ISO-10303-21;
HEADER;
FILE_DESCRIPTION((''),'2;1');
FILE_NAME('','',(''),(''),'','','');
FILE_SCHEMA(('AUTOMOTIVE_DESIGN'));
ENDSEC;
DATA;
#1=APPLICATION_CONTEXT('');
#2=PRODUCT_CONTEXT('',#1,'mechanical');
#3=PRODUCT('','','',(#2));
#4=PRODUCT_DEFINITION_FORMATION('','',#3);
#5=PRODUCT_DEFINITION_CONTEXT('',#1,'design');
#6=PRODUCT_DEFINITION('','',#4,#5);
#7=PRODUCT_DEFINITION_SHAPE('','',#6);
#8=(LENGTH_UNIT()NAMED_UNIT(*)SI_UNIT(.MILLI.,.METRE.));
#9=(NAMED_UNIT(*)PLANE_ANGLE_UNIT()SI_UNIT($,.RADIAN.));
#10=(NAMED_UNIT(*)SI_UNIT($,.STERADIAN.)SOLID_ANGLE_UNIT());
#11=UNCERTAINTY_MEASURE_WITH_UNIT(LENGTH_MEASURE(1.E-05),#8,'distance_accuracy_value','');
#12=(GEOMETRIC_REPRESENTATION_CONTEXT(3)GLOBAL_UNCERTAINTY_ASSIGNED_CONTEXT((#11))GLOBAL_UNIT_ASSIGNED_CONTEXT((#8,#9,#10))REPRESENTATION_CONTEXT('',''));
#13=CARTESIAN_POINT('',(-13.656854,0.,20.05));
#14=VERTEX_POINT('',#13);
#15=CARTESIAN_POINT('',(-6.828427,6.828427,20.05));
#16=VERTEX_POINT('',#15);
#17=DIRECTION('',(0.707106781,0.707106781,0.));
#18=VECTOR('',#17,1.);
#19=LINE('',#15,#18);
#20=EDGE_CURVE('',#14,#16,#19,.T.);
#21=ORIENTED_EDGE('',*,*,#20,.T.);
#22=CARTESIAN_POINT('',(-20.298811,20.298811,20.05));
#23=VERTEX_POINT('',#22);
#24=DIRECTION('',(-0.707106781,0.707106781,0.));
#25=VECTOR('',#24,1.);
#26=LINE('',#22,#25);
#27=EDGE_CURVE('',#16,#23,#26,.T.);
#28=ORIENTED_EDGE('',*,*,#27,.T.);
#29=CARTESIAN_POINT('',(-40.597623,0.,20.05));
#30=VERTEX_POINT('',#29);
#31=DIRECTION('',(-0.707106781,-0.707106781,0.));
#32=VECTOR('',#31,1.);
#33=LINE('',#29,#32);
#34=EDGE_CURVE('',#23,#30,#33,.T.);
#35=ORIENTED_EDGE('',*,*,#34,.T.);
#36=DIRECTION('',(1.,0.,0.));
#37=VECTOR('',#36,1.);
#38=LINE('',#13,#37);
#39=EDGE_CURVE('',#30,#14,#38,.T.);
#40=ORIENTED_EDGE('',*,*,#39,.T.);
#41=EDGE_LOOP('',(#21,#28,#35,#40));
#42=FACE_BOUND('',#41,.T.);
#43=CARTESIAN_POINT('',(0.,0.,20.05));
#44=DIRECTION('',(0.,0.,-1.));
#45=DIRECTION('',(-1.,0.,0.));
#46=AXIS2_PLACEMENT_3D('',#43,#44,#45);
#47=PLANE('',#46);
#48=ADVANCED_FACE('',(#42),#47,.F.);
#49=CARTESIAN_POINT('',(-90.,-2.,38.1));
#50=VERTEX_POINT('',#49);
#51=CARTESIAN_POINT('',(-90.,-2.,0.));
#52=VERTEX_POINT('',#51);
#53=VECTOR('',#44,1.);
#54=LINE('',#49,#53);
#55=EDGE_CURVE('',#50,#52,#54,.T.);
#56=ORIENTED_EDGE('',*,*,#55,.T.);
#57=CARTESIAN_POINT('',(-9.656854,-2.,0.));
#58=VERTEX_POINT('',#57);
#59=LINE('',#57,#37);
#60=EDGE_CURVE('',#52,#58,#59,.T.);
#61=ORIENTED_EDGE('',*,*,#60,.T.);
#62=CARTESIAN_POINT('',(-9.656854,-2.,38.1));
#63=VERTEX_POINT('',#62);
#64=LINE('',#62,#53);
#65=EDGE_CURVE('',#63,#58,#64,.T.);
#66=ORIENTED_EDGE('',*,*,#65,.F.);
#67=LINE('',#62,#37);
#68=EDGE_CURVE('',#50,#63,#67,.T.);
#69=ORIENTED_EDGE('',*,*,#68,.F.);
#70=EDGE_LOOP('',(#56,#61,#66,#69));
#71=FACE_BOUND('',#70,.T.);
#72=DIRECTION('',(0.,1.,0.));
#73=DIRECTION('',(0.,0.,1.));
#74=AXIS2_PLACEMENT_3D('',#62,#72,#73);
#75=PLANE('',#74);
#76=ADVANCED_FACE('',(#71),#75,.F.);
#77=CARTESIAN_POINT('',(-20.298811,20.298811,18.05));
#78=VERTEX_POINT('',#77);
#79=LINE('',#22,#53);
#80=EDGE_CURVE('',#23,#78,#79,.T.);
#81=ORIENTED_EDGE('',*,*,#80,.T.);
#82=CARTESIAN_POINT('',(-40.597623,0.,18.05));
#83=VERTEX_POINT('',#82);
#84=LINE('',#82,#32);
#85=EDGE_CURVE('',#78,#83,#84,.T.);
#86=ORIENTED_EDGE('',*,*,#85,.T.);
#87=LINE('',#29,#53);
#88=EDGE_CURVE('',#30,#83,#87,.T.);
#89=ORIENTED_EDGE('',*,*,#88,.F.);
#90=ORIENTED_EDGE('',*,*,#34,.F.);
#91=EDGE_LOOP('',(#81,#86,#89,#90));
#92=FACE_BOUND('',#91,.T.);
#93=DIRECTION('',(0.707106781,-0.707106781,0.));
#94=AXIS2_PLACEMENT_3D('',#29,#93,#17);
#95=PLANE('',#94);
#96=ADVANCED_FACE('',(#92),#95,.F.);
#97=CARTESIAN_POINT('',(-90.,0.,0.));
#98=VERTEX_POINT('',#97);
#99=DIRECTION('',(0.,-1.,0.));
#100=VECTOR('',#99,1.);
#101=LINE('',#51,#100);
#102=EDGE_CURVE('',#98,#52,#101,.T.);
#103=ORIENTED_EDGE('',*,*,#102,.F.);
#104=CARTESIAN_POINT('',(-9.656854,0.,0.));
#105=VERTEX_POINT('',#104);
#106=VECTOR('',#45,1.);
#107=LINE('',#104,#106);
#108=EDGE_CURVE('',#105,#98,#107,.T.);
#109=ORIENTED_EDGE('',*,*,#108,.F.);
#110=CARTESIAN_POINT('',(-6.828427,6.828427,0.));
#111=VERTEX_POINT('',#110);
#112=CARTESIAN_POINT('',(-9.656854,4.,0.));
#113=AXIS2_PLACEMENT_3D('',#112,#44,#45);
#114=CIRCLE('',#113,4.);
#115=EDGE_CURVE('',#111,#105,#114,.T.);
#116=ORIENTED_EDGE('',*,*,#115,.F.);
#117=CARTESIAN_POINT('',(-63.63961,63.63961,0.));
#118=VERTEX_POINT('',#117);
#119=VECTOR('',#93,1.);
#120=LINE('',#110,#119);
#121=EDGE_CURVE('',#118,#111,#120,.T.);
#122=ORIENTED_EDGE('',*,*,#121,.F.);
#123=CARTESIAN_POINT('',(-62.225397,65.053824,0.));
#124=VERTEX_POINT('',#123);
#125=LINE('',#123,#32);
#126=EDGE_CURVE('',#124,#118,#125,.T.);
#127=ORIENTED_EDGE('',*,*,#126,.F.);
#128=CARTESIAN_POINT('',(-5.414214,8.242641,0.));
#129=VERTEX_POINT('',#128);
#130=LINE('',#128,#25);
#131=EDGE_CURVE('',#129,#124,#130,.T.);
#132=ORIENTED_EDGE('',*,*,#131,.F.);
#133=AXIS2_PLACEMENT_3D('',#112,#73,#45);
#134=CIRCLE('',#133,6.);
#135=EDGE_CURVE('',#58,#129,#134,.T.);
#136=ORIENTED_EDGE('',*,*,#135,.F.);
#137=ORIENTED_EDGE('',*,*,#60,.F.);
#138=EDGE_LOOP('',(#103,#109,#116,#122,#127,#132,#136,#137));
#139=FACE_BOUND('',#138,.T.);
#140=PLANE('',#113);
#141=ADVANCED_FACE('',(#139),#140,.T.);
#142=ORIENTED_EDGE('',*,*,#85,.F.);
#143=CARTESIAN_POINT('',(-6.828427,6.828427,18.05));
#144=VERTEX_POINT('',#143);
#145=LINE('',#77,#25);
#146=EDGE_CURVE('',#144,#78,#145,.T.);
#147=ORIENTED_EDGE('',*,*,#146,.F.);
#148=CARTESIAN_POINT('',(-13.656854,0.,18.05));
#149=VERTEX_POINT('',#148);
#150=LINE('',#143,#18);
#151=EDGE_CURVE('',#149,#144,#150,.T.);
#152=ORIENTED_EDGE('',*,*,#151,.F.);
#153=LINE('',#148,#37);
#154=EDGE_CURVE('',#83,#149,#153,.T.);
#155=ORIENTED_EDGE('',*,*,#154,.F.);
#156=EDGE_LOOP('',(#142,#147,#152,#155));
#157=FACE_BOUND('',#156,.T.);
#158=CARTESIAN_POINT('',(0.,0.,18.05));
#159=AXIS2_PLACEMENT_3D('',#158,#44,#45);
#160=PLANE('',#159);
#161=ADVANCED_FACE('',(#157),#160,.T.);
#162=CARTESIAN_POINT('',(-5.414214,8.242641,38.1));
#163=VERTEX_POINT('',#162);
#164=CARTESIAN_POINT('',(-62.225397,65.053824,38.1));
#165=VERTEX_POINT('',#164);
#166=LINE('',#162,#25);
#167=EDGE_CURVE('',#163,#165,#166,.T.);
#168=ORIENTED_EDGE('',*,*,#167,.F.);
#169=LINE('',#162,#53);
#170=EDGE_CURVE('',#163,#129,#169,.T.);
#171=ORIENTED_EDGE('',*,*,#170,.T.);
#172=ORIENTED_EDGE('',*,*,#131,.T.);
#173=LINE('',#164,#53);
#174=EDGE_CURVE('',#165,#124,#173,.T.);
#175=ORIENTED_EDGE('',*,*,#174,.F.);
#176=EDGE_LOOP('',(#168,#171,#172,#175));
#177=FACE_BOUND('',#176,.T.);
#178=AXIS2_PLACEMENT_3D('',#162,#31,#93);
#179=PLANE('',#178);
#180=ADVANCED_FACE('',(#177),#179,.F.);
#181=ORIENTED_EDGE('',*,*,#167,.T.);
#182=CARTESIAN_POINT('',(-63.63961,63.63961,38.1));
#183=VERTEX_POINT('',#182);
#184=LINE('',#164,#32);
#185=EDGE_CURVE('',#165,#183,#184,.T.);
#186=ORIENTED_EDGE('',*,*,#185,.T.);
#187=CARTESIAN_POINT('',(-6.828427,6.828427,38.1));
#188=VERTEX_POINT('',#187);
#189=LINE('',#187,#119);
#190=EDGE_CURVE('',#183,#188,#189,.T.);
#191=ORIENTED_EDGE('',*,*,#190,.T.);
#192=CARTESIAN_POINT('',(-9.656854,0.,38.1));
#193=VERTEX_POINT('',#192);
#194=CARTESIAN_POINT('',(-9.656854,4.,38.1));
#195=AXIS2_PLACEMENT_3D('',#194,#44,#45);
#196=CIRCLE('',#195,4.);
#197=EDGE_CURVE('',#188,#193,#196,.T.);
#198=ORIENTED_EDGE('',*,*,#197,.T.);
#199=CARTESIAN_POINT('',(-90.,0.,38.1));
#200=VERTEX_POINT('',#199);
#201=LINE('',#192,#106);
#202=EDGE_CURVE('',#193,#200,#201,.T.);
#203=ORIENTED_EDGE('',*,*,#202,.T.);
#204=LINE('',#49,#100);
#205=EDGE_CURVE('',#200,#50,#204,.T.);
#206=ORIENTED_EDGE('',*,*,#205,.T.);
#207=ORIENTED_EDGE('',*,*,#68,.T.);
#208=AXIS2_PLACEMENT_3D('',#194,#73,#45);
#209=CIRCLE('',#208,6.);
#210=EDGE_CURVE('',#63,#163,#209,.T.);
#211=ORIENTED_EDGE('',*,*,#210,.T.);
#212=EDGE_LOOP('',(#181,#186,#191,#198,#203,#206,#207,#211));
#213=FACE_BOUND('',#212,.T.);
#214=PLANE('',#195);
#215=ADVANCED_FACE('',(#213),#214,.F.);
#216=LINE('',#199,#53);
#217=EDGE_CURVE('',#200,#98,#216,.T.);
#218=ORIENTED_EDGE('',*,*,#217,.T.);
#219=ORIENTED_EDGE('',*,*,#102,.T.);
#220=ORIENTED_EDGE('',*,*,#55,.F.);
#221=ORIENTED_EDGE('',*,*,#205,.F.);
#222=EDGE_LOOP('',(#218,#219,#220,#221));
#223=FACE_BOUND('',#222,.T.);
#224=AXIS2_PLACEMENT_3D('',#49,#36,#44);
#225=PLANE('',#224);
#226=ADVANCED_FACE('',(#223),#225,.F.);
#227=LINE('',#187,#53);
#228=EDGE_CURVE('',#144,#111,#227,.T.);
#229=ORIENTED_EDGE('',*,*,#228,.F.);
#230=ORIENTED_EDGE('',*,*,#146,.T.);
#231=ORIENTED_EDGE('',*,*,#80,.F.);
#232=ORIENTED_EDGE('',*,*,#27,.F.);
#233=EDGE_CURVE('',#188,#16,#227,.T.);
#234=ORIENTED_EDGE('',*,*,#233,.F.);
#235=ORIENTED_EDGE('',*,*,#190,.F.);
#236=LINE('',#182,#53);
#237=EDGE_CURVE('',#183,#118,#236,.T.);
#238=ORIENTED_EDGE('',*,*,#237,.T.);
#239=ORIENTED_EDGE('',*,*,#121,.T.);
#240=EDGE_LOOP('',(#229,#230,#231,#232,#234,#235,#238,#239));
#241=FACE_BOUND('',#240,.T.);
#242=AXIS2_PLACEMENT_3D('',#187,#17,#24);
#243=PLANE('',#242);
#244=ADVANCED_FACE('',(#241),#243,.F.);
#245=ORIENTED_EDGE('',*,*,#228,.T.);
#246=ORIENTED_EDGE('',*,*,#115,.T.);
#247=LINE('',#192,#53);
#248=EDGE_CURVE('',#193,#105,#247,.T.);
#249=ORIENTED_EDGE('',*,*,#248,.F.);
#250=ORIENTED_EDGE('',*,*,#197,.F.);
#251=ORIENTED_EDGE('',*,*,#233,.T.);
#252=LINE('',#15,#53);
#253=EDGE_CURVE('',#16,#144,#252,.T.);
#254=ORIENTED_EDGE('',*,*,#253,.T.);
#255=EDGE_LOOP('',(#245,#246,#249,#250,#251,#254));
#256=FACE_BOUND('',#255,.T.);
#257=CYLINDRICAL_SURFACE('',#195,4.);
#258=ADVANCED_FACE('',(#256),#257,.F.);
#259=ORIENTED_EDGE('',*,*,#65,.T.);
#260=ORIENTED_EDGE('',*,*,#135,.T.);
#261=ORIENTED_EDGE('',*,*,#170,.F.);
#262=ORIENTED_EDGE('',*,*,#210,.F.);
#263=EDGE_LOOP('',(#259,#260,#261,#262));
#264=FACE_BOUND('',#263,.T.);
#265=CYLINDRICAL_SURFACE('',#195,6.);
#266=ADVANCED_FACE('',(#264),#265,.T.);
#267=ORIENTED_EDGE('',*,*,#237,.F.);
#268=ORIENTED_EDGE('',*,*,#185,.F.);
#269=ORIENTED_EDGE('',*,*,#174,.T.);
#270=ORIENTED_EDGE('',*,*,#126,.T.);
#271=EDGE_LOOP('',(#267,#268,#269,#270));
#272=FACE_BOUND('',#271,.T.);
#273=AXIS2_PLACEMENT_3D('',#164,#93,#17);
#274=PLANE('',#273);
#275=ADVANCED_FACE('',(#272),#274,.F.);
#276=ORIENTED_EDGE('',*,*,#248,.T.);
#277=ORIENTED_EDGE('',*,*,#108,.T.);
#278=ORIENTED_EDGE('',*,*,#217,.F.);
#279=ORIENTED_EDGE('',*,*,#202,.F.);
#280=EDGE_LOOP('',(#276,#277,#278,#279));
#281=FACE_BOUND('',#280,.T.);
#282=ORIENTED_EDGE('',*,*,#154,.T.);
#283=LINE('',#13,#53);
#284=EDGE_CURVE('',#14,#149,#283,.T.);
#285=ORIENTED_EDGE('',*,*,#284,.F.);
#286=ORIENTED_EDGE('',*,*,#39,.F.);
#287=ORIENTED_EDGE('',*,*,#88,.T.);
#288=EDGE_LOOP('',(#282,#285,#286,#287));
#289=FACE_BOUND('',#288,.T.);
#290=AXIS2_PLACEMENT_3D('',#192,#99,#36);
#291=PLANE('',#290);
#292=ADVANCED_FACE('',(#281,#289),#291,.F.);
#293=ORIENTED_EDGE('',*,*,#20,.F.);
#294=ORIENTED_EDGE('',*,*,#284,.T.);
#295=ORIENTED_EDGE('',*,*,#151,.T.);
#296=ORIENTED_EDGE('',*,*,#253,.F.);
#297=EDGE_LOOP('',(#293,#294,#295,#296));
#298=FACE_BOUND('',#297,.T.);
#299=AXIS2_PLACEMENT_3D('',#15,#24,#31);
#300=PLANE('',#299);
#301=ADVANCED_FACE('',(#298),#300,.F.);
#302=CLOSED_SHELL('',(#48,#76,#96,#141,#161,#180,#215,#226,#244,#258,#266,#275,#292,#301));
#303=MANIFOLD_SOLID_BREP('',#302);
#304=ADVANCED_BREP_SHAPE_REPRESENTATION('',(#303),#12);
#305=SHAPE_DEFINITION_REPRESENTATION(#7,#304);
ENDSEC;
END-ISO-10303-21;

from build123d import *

# Parameters (mm, degrees)
SALIENTE_EXTRUIR1_DEPTH = 38.1
SALIENTE_EXTRUIR2_DEPTH = 1


with BuildPart() as part:
    # Croquis1 → Saliente-Extruir1 (new body)
    with BuildSketch(Plane.XY):
        with BuildLine():
            Line((-6.828427125, 6.828427125), (-63.639610307, 63.639610307))
            Line((-63.639610307, 63.639610307), (-62.225396744, 65.053823869))
            Line((-62.225396744, 65.053823869), (-5.414213562, 8.242640687))
            ThreePointArc((-5.414213562, 8.242640687), (-4.113577054, 1.703899406), (-9.656854249, -2))
            Line((-9.656854249, -2), (-90, -2))
            Line((-90, -2), (-90, 0))
            Line((-90, 0), (-9.656854249, 0))
            ThreePointArc((-9.656854249, 0), (-5.961336119, 2.469266271), (-6.828427125, 6.828427125))
        make_face()
    extrude(amount=SALIENTE_EXTRUIR1_DEPTH)

    # Croquis3 → Saliente-Extruir2 (add, symmetric)
    with BuildSketch(Plane.XY.offset(19.05)):
        Polygon((-40.597622613, 0), (-20.298811306, 20.298811306), (-6.828427125, 6.828427125), (-13.656854249, 0), align=None)
    extrude(amount=SALIENTE_EXTRUIR2_DEPTH, both=True)


solid = part.part
